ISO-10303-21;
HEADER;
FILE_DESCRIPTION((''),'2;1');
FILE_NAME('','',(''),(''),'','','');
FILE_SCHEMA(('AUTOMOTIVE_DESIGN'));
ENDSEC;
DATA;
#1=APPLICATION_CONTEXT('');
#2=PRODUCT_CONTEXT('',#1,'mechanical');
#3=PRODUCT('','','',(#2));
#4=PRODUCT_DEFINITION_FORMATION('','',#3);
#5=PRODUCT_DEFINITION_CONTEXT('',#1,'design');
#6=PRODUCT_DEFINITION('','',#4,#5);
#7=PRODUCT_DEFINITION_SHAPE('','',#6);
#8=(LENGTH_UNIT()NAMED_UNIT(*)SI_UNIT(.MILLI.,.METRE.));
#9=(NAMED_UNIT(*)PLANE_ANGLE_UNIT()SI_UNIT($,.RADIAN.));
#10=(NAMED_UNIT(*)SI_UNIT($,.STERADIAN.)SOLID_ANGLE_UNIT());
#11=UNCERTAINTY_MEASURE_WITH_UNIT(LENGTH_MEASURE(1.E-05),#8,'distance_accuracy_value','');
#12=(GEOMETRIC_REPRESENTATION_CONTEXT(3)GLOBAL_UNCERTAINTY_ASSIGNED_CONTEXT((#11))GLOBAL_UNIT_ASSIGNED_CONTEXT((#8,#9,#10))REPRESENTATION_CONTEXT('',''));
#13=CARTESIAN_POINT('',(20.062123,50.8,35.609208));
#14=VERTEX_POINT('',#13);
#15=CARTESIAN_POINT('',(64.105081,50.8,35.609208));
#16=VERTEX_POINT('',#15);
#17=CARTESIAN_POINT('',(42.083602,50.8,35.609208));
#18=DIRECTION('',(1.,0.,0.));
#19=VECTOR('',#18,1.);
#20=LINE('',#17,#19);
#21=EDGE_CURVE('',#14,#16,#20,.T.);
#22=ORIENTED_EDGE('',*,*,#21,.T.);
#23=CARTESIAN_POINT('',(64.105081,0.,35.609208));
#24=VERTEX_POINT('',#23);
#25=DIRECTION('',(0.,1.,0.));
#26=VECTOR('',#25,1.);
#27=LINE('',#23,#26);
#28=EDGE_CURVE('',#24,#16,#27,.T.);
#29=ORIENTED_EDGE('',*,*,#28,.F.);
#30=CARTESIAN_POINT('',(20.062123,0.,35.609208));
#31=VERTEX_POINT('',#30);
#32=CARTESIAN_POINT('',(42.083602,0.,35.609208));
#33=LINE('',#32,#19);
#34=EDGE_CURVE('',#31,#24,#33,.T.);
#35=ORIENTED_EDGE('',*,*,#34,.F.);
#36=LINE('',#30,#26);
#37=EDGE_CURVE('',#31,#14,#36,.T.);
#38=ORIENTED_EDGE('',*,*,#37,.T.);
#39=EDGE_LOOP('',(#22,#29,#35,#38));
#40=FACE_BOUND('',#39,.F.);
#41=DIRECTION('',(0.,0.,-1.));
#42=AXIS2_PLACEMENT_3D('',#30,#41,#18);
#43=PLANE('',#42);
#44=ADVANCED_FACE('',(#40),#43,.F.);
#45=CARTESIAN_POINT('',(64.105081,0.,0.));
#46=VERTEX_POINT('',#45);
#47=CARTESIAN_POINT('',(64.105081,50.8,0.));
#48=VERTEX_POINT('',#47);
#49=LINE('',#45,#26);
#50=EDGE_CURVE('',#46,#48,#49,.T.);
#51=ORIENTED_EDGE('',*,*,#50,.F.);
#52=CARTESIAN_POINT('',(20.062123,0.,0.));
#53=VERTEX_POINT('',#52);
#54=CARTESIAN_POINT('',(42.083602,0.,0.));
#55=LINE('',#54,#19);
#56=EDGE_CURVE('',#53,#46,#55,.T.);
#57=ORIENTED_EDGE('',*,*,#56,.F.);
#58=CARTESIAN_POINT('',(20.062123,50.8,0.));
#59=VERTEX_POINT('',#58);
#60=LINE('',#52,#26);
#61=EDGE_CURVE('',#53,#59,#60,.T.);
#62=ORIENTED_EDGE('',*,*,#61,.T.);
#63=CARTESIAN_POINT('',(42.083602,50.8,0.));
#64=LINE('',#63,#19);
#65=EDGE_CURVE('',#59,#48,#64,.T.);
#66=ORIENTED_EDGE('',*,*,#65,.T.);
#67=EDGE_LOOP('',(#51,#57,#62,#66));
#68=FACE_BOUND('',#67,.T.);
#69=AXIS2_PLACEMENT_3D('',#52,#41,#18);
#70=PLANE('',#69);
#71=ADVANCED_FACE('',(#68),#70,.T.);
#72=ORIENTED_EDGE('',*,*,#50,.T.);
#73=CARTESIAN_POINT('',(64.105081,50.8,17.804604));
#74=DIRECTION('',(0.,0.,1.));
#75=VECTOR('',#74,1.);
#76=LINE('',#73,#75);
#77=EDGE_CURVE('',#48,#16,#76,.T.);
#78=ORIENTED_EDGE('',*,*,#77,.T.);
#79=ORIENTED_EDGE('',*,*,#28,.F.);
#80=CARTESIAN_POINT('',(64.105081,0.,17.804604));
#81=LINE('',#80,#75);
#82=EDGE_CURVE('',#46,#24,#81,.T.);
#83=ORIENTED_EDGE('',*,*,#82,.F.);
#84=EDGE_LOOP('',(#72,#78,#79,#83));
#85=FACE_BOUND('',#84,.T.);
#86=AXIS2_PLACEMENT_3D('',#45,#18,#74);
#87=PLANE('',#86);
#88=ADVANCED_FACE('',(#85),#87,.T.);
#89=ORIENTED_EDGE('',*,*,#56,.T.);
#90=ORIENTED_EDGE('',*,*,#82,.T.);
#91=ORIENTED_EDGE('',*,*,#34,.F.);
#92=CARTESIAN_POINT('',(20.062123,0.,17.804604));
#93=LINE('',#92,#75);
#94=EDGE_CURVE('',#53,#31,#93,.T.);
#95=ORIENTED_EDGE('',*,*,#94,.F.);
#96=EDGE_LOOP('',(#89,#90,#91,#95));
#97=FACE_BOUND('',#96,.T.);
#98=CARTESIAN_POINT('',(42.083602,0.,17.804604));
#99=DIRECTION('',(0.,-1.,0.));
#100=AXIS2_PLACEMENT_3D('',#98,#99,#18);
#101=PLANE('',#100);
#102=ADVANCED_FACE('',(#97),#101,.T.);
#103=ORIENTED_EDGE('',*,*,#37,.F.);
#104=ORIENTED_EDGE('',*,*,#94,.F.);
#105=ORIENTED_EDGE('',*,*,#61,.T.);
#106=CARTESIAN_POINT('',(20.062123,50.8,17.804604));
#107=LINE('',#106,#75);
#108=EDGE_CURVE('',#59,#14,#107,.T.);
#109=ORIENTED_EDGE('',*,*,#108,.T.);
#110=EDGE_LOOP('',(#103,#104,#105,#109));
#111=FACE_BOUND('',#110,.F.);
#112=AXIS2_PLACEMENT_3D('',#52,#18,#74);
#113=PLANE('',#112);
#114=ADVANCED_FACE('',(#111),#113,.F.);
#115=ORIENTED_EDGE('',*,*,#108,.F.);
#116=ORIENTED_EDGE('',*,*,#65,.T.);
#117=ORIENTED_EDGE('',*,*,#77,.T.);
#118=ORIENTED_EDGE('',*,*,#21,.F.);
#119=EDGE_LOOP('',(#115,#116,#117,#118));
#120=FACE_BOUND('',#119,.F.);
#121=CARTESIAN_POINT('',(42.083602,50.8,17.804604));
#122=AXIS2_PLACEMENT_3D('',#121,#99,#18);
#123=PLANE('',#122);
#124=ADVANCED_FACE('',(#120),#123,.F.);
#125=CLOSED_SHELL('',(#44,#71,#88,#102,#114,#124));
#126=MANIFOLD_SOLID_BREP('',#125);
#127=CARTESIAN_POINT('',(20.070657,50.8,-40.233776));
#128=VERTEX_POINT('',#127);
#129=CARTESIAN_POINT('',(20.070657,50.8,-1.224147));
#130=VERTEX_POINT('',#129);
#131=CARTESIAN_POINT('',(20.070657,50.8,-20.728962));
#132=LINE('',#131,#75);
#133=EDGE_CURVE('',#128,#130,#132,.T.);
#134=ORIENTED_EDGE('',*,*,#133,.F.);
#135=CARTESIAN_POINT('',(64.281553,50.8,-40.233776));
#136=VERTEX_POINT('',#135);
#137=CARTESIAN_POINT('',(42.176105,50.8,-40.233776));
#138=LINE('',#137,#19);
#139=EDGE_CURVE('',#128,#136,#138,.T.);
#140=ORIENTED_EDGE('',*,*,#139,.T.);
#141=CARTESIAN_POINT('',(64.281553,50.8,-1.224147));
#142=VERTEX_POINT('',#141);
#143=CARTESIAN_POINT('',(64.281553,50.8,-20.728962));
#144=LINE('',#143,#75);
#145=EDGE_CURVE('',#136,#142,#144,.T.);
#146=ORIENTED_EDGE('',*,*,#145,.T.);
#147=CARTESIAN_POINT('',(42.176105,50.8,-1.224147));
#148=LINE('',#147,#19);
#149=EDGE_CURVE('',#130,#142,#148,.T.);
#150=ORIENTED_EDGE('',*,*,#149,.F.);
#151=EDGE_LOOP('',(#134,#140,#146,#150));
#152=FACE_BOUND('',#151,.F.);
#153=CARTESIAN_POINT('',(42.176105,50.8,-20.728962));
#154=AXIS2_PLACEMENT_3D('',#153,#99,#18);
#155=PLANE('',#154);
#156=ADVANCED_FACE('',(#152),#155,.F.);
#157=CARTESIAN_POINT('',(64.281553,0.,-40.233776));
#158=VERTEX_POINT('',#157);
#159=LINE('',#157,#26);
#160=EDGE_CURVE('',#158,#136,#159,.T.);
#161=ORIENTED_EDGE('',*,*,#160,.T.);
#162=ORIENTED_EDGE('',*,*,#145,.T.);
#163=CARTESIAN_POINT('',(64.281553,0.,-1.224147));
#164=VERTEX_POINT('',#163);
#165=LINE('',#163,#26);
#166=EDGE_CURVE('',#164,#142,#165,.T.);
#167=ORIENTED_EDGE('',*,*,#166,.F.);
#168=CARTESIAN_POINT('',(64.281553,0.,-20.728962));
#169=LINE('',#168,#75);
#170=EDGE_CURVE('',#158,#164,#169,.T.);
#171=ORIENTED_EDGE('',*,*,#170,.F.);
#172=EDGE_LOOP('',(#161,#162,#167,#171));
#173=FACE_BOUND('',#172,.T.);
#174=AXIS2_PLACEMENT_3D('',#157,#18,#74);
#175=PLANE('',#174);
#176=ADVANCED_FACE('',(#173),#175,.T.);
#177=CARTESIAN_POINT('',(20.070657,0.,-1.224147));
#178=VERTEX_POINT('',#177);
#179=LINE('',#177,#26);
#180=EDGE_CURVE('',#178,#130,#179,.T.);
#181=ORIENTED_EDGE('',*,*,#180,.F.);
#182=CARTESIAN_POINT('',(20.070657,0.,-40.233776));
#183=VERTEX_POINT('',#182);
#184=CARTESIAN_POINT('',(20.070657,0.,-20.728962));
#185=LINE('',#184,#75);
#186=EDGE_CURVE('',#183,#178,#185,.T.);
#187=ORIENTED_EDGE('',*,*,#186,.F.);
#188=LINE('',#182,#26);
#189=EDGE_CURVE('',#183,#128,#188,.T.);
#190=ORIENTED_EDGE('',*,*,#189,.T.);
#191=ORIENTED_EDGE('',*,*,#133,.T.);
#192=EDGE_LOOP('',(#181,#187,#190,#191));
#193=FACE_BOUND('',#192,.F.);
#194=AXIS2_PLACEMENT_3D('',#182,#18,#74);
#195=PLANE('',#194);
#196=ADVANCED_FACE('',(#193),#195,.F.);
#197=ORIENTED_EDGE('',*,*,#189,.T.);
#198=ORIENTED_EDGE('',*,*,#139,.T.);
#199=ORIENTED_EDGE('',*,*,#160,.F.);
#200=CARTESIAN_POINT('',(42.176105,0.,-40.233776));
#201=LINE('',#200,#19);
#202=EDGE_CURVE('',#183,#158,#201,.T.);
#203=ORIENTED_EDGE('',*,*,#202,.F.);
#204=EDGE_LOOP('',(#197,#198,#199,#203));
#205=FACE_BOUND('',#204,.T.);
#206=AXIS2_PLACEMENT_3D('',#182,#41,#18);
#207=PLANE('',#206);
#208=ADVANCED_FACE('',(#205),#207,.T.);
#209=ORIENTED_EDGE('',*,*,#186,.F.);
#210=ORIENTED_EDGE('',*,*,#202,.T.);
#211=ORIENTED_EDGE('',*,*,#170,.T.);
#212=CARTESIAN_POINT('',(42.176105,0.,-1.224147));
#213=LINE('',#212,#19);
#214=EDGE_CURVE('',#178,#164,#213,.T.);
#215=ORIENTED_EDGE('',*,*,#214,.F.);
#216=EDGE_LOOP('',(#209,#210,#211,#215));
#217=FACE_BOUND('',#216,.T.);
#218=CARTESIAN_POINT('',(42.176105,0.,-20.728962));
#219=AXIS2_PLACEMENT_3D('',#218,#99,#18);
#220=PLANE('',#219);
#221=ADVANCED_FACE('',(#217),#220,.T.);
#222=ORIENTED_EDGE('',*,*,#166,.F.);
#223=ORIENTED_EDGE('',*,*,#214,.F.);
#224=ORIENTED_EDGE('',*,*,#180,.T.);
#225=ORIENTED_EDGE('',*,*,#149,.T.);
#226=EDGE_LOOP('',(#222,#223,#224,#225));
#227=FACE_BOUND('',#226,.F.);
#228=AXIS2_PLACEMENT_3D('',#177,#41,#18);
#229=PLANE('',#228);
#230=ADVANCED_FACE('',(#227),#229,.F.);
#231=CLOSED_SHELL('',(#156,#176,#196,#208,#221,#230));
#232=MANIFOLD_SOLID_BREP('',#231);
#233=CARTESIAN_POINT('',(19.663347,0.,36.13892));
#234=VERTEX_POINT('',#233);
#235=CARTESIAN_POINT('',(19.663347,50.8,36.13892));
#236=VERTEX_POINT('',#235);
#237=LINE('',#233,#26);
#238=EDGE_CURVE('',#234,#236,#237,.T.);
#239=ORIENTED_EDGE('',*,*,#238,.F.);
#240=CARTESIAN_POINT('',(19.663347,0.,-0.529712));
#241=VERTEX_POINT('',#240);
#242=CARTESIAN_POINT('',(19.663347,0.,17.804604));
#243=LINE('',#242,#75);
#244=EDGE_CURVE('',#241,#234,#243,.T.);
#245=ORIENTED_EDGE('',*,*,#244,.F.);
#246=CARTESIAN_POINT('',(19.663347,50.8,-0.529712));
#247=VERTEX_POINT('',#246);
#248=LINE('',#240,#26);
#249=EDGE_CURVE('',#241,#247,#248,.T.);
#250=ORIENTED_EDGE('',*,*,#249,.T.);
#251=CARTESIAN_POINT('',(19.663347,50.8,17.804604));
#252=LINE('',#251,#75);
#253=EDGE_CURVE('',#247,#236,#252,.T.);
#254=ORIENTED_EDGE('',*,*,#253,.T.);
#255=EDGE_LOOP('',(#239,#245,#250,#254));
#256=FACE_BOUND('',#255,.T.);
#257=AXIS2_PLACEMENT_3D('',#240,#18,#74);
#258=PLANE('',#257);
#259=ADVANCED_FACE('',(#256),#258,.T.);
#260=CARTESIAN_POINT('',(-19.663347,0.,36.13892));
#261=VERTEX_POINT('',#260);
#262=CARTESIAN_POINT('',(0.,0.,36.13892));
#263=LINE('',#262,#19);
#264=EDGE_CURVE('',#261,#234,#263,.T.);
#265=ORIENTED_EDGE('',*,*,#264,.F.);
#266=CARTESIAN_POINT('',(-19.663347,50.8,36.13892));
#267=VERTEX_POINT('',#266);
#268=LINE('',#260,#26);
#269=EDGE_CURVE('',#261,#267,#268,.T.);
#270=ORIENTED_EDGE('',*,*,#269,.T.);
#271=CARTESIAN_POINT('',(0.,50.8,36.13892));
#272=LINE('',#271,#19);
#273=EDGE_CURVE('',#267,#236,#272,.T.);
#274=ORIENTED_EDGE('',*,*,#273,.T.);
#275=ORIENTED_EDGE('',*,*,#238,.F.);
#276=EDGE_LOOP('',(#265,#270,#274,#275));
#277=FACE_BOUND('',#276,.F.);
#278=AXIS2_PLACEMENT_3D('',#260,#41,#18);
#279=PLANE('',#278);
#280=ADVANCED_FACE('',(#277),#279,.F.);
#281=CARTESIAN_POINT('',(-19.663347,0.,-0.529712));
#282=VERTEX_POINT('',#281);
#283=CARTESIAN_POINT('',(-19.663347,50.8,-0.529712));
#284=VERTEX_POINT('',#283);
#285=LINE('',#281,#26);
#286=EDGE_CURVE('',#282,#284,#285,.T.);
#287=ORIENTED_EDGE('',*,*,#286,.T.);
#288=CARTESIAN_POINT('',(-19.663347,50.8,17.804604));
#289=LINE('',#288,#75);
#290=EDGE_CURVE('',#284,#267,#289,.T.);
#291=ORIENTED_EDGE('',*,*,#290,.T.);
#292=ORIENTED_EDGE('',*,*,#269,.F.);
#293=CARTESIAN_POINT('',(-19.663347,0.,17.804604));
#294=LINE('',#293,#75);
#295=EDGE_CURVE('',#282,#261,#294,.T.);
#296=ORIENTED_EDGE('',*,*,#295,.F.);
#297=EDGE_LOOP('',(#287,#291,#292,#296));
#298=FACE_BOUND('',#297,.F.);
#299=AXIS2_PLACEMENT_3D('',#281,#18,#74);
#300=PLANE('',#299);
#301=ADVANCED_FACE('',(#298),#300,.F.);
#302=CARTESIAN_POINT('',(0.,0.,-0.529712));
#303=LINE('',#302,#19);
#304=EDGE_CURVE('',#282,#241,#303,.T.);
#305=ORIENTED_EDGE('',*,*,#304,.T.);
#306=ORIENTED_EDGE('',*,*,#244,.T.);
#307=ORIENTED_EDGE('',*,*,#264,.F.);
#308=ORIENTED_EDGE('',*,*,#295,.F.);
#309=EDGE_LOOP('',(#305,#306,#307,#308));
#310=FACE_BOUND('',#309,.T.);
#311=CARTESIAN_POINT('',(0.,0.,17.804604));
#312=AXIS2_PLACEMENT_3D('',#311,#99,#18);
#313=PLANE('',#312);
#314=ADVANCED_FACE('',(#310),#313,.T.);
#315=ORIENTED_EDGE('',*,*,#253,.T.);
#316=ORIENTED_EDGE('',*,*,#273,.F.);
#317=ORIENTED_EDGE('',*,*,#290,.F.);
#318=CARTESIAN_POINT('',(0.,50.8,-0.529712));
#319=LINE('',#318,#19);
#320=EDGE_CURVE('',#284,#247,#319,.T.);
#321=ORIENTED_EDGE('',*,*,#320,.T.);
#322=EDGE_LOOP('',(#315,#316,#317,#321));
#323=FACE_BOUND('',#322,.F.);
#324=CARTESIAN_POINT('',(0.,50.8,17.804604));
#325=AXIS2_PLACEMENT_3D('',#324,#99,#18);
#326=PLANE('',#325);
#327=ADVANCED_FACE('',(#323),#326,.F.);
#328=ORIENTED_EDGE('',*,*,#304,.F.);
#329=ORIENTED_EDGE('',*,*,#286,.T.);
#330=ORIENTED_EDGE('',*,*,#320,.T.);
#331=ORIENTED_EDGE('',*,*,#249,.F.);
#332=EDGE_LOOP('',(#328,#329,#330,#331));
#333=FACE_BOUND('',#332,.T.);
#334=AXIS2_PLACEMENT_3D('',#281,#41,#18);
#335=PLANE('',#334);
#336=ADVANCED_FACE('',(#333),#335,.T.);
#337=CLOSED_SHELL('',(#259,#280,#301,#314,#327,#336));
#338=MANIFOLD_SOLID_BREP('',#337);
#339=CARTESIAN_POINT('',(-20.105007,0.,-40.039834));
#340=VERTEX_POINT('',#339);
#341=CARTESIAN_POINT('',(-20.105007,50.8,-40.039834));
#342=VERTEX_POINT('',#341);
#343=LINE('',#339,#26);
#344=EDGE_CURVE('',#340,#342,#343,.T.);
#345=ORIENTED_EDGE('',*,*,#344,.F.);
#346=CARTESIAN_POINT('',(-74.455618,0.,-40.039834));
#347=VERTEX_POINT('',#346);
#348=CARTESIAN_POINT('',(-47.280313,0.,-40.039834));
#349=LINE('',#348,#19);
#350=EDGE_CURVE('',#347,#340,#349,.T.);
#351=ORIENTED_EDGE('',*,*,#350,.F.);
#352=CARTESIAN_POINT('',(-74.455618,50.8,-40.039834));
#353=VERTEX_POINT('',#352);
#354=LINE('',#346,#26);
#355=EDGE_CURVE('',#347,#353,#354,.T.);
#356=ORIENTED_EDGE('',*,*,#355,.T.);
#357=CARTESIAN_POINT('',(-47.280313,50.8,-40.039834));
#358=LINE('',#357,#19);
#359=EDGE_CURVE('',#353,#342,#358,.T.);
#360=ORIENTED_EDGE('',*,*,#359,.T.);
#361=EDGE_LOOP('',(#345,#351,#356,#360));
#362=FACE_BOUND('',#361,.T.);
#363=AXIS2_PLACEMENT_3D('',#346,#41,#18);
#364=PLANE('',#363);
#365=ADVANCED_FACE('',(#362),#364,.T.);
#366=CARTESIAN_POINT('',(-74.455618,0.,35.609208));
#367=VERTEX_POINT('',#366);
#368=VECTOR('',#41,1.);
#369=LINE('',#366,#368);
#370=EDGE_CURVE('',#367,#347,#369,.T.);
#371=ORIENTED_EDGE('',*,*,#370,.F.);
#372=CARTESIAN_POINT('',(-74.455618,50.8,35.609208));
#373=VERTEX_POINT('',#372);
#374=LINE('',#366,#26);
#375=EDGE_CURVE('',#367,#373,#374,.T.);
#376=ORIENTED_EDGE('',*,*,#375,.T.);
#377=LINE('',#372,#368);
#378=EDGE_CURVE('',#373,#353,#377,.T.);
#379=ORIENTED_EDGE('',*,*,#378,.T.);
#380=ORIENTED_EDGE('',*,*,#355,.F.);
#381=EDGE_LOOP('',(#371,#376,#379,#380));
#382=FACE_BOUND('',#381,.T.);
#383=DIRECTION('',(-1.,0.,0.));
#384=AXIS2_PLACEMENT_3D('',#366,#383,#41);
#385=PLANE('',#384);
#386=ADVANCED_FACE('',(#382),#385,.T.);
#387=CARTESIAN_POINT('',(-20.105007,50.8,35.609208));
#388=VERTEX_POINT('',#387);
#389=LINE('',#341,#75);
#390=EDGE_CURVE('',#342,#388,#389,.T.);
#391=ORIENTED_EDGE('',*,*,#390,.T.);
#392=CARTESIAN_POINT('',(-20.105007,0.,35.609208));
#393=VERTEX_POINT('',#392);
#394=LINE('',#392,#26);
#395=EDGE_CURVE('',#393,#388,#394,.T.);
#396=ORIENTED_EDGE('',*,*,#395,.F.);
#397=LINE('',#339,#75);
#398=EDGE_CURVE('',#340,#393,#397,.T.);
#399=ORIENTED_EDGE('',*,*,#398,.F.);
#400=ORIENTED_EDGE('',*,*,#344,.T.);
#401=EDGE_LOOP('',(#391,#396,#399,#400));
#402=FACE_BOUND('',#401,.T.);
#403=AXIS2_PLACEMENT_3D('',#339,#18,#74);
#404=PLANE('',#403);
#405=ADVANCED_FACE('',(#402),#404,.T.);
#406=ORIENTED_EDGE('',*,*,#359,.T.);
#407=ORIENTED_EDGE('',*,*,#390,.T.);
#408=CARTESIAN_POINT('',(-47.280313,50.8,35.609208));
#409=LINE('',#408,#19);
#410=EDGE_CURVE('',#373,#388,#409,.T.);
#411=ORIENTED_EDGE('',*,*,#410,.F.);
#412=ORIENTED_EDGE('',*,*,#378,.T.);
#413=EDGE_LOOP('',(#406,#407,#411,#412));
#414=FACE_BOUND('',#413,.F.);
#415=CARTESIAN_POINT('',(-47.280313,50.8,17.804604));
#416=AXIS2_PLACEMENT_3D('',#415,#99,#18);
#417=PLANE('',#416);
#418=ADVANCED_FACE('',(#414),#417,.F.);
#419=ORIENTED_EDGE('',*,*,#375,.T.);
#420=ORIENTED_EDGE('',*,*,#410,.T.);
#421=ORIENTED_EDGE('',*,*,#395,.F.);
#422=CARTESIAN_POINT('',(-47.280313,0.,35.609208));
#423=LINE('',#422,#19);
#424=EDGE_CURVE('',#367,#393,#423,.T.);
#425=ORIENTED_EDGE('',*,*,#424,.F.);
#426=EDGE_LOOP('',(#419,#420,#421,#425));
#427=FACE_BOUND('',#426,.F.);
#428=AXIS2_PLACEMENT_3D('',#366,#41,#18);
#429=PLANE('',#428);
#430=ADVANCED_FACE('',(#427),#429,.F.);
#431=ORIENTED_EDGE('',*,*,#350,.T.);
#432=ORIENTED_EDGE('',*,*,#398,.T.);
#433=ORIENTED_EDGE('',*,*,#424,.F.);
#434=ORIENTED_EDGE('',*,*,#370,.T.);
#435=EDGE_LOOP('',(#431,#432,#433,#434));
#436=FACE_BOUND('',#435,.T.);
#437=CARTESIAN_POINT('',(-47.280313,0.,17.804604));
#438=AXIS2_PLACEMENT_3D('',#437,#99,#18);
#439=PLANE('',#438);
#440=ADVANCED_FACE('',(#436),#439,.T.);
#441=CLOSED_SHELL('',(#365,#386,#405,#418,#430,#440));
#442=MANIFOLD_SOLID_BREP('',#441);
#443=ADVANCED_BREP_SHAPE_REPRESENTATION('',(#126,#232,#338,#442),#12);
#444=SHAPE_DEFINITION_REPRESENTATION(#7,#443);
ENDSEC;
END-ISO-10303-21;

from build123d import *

# Parameters (mm, degrees)
F0_W     = 54.350611
F0_H     = 35.609208
F0_W_2   = 44.042959
F0_W_3   = 44.210896
F0_H_2   = 39.009629
F0_H_3   = 40.039834
F0_W_4   = 39.326694
F0_H_4   = 36.668632
F1_DEPTH = 50.8


with BuildPart() as f1:
    # F0 (on Front) → F1 (new body)
    with BuildSketch(Plane.XZ):
        with Locations((-47.280313, 17.804604)):
            Rectangle(F0_W, F0_H)
        with Locations((42.083602, 17.804604)):
            Rectangle(F0_W_2, F0_H)
        with Locations((42.176105, -20.728962)):
            Rectangle(F0_W_3, F0_H_2)
        with Locations((-47.280313, -20.019917)):
            Rectangle(F0_W, F0_H_3)
        with Locations((0, 17.804604)):
            Rectangle(F0_W_4, F0_H_4)
    extrude(amount=-F1_DEPTH)


solid = f1.part
